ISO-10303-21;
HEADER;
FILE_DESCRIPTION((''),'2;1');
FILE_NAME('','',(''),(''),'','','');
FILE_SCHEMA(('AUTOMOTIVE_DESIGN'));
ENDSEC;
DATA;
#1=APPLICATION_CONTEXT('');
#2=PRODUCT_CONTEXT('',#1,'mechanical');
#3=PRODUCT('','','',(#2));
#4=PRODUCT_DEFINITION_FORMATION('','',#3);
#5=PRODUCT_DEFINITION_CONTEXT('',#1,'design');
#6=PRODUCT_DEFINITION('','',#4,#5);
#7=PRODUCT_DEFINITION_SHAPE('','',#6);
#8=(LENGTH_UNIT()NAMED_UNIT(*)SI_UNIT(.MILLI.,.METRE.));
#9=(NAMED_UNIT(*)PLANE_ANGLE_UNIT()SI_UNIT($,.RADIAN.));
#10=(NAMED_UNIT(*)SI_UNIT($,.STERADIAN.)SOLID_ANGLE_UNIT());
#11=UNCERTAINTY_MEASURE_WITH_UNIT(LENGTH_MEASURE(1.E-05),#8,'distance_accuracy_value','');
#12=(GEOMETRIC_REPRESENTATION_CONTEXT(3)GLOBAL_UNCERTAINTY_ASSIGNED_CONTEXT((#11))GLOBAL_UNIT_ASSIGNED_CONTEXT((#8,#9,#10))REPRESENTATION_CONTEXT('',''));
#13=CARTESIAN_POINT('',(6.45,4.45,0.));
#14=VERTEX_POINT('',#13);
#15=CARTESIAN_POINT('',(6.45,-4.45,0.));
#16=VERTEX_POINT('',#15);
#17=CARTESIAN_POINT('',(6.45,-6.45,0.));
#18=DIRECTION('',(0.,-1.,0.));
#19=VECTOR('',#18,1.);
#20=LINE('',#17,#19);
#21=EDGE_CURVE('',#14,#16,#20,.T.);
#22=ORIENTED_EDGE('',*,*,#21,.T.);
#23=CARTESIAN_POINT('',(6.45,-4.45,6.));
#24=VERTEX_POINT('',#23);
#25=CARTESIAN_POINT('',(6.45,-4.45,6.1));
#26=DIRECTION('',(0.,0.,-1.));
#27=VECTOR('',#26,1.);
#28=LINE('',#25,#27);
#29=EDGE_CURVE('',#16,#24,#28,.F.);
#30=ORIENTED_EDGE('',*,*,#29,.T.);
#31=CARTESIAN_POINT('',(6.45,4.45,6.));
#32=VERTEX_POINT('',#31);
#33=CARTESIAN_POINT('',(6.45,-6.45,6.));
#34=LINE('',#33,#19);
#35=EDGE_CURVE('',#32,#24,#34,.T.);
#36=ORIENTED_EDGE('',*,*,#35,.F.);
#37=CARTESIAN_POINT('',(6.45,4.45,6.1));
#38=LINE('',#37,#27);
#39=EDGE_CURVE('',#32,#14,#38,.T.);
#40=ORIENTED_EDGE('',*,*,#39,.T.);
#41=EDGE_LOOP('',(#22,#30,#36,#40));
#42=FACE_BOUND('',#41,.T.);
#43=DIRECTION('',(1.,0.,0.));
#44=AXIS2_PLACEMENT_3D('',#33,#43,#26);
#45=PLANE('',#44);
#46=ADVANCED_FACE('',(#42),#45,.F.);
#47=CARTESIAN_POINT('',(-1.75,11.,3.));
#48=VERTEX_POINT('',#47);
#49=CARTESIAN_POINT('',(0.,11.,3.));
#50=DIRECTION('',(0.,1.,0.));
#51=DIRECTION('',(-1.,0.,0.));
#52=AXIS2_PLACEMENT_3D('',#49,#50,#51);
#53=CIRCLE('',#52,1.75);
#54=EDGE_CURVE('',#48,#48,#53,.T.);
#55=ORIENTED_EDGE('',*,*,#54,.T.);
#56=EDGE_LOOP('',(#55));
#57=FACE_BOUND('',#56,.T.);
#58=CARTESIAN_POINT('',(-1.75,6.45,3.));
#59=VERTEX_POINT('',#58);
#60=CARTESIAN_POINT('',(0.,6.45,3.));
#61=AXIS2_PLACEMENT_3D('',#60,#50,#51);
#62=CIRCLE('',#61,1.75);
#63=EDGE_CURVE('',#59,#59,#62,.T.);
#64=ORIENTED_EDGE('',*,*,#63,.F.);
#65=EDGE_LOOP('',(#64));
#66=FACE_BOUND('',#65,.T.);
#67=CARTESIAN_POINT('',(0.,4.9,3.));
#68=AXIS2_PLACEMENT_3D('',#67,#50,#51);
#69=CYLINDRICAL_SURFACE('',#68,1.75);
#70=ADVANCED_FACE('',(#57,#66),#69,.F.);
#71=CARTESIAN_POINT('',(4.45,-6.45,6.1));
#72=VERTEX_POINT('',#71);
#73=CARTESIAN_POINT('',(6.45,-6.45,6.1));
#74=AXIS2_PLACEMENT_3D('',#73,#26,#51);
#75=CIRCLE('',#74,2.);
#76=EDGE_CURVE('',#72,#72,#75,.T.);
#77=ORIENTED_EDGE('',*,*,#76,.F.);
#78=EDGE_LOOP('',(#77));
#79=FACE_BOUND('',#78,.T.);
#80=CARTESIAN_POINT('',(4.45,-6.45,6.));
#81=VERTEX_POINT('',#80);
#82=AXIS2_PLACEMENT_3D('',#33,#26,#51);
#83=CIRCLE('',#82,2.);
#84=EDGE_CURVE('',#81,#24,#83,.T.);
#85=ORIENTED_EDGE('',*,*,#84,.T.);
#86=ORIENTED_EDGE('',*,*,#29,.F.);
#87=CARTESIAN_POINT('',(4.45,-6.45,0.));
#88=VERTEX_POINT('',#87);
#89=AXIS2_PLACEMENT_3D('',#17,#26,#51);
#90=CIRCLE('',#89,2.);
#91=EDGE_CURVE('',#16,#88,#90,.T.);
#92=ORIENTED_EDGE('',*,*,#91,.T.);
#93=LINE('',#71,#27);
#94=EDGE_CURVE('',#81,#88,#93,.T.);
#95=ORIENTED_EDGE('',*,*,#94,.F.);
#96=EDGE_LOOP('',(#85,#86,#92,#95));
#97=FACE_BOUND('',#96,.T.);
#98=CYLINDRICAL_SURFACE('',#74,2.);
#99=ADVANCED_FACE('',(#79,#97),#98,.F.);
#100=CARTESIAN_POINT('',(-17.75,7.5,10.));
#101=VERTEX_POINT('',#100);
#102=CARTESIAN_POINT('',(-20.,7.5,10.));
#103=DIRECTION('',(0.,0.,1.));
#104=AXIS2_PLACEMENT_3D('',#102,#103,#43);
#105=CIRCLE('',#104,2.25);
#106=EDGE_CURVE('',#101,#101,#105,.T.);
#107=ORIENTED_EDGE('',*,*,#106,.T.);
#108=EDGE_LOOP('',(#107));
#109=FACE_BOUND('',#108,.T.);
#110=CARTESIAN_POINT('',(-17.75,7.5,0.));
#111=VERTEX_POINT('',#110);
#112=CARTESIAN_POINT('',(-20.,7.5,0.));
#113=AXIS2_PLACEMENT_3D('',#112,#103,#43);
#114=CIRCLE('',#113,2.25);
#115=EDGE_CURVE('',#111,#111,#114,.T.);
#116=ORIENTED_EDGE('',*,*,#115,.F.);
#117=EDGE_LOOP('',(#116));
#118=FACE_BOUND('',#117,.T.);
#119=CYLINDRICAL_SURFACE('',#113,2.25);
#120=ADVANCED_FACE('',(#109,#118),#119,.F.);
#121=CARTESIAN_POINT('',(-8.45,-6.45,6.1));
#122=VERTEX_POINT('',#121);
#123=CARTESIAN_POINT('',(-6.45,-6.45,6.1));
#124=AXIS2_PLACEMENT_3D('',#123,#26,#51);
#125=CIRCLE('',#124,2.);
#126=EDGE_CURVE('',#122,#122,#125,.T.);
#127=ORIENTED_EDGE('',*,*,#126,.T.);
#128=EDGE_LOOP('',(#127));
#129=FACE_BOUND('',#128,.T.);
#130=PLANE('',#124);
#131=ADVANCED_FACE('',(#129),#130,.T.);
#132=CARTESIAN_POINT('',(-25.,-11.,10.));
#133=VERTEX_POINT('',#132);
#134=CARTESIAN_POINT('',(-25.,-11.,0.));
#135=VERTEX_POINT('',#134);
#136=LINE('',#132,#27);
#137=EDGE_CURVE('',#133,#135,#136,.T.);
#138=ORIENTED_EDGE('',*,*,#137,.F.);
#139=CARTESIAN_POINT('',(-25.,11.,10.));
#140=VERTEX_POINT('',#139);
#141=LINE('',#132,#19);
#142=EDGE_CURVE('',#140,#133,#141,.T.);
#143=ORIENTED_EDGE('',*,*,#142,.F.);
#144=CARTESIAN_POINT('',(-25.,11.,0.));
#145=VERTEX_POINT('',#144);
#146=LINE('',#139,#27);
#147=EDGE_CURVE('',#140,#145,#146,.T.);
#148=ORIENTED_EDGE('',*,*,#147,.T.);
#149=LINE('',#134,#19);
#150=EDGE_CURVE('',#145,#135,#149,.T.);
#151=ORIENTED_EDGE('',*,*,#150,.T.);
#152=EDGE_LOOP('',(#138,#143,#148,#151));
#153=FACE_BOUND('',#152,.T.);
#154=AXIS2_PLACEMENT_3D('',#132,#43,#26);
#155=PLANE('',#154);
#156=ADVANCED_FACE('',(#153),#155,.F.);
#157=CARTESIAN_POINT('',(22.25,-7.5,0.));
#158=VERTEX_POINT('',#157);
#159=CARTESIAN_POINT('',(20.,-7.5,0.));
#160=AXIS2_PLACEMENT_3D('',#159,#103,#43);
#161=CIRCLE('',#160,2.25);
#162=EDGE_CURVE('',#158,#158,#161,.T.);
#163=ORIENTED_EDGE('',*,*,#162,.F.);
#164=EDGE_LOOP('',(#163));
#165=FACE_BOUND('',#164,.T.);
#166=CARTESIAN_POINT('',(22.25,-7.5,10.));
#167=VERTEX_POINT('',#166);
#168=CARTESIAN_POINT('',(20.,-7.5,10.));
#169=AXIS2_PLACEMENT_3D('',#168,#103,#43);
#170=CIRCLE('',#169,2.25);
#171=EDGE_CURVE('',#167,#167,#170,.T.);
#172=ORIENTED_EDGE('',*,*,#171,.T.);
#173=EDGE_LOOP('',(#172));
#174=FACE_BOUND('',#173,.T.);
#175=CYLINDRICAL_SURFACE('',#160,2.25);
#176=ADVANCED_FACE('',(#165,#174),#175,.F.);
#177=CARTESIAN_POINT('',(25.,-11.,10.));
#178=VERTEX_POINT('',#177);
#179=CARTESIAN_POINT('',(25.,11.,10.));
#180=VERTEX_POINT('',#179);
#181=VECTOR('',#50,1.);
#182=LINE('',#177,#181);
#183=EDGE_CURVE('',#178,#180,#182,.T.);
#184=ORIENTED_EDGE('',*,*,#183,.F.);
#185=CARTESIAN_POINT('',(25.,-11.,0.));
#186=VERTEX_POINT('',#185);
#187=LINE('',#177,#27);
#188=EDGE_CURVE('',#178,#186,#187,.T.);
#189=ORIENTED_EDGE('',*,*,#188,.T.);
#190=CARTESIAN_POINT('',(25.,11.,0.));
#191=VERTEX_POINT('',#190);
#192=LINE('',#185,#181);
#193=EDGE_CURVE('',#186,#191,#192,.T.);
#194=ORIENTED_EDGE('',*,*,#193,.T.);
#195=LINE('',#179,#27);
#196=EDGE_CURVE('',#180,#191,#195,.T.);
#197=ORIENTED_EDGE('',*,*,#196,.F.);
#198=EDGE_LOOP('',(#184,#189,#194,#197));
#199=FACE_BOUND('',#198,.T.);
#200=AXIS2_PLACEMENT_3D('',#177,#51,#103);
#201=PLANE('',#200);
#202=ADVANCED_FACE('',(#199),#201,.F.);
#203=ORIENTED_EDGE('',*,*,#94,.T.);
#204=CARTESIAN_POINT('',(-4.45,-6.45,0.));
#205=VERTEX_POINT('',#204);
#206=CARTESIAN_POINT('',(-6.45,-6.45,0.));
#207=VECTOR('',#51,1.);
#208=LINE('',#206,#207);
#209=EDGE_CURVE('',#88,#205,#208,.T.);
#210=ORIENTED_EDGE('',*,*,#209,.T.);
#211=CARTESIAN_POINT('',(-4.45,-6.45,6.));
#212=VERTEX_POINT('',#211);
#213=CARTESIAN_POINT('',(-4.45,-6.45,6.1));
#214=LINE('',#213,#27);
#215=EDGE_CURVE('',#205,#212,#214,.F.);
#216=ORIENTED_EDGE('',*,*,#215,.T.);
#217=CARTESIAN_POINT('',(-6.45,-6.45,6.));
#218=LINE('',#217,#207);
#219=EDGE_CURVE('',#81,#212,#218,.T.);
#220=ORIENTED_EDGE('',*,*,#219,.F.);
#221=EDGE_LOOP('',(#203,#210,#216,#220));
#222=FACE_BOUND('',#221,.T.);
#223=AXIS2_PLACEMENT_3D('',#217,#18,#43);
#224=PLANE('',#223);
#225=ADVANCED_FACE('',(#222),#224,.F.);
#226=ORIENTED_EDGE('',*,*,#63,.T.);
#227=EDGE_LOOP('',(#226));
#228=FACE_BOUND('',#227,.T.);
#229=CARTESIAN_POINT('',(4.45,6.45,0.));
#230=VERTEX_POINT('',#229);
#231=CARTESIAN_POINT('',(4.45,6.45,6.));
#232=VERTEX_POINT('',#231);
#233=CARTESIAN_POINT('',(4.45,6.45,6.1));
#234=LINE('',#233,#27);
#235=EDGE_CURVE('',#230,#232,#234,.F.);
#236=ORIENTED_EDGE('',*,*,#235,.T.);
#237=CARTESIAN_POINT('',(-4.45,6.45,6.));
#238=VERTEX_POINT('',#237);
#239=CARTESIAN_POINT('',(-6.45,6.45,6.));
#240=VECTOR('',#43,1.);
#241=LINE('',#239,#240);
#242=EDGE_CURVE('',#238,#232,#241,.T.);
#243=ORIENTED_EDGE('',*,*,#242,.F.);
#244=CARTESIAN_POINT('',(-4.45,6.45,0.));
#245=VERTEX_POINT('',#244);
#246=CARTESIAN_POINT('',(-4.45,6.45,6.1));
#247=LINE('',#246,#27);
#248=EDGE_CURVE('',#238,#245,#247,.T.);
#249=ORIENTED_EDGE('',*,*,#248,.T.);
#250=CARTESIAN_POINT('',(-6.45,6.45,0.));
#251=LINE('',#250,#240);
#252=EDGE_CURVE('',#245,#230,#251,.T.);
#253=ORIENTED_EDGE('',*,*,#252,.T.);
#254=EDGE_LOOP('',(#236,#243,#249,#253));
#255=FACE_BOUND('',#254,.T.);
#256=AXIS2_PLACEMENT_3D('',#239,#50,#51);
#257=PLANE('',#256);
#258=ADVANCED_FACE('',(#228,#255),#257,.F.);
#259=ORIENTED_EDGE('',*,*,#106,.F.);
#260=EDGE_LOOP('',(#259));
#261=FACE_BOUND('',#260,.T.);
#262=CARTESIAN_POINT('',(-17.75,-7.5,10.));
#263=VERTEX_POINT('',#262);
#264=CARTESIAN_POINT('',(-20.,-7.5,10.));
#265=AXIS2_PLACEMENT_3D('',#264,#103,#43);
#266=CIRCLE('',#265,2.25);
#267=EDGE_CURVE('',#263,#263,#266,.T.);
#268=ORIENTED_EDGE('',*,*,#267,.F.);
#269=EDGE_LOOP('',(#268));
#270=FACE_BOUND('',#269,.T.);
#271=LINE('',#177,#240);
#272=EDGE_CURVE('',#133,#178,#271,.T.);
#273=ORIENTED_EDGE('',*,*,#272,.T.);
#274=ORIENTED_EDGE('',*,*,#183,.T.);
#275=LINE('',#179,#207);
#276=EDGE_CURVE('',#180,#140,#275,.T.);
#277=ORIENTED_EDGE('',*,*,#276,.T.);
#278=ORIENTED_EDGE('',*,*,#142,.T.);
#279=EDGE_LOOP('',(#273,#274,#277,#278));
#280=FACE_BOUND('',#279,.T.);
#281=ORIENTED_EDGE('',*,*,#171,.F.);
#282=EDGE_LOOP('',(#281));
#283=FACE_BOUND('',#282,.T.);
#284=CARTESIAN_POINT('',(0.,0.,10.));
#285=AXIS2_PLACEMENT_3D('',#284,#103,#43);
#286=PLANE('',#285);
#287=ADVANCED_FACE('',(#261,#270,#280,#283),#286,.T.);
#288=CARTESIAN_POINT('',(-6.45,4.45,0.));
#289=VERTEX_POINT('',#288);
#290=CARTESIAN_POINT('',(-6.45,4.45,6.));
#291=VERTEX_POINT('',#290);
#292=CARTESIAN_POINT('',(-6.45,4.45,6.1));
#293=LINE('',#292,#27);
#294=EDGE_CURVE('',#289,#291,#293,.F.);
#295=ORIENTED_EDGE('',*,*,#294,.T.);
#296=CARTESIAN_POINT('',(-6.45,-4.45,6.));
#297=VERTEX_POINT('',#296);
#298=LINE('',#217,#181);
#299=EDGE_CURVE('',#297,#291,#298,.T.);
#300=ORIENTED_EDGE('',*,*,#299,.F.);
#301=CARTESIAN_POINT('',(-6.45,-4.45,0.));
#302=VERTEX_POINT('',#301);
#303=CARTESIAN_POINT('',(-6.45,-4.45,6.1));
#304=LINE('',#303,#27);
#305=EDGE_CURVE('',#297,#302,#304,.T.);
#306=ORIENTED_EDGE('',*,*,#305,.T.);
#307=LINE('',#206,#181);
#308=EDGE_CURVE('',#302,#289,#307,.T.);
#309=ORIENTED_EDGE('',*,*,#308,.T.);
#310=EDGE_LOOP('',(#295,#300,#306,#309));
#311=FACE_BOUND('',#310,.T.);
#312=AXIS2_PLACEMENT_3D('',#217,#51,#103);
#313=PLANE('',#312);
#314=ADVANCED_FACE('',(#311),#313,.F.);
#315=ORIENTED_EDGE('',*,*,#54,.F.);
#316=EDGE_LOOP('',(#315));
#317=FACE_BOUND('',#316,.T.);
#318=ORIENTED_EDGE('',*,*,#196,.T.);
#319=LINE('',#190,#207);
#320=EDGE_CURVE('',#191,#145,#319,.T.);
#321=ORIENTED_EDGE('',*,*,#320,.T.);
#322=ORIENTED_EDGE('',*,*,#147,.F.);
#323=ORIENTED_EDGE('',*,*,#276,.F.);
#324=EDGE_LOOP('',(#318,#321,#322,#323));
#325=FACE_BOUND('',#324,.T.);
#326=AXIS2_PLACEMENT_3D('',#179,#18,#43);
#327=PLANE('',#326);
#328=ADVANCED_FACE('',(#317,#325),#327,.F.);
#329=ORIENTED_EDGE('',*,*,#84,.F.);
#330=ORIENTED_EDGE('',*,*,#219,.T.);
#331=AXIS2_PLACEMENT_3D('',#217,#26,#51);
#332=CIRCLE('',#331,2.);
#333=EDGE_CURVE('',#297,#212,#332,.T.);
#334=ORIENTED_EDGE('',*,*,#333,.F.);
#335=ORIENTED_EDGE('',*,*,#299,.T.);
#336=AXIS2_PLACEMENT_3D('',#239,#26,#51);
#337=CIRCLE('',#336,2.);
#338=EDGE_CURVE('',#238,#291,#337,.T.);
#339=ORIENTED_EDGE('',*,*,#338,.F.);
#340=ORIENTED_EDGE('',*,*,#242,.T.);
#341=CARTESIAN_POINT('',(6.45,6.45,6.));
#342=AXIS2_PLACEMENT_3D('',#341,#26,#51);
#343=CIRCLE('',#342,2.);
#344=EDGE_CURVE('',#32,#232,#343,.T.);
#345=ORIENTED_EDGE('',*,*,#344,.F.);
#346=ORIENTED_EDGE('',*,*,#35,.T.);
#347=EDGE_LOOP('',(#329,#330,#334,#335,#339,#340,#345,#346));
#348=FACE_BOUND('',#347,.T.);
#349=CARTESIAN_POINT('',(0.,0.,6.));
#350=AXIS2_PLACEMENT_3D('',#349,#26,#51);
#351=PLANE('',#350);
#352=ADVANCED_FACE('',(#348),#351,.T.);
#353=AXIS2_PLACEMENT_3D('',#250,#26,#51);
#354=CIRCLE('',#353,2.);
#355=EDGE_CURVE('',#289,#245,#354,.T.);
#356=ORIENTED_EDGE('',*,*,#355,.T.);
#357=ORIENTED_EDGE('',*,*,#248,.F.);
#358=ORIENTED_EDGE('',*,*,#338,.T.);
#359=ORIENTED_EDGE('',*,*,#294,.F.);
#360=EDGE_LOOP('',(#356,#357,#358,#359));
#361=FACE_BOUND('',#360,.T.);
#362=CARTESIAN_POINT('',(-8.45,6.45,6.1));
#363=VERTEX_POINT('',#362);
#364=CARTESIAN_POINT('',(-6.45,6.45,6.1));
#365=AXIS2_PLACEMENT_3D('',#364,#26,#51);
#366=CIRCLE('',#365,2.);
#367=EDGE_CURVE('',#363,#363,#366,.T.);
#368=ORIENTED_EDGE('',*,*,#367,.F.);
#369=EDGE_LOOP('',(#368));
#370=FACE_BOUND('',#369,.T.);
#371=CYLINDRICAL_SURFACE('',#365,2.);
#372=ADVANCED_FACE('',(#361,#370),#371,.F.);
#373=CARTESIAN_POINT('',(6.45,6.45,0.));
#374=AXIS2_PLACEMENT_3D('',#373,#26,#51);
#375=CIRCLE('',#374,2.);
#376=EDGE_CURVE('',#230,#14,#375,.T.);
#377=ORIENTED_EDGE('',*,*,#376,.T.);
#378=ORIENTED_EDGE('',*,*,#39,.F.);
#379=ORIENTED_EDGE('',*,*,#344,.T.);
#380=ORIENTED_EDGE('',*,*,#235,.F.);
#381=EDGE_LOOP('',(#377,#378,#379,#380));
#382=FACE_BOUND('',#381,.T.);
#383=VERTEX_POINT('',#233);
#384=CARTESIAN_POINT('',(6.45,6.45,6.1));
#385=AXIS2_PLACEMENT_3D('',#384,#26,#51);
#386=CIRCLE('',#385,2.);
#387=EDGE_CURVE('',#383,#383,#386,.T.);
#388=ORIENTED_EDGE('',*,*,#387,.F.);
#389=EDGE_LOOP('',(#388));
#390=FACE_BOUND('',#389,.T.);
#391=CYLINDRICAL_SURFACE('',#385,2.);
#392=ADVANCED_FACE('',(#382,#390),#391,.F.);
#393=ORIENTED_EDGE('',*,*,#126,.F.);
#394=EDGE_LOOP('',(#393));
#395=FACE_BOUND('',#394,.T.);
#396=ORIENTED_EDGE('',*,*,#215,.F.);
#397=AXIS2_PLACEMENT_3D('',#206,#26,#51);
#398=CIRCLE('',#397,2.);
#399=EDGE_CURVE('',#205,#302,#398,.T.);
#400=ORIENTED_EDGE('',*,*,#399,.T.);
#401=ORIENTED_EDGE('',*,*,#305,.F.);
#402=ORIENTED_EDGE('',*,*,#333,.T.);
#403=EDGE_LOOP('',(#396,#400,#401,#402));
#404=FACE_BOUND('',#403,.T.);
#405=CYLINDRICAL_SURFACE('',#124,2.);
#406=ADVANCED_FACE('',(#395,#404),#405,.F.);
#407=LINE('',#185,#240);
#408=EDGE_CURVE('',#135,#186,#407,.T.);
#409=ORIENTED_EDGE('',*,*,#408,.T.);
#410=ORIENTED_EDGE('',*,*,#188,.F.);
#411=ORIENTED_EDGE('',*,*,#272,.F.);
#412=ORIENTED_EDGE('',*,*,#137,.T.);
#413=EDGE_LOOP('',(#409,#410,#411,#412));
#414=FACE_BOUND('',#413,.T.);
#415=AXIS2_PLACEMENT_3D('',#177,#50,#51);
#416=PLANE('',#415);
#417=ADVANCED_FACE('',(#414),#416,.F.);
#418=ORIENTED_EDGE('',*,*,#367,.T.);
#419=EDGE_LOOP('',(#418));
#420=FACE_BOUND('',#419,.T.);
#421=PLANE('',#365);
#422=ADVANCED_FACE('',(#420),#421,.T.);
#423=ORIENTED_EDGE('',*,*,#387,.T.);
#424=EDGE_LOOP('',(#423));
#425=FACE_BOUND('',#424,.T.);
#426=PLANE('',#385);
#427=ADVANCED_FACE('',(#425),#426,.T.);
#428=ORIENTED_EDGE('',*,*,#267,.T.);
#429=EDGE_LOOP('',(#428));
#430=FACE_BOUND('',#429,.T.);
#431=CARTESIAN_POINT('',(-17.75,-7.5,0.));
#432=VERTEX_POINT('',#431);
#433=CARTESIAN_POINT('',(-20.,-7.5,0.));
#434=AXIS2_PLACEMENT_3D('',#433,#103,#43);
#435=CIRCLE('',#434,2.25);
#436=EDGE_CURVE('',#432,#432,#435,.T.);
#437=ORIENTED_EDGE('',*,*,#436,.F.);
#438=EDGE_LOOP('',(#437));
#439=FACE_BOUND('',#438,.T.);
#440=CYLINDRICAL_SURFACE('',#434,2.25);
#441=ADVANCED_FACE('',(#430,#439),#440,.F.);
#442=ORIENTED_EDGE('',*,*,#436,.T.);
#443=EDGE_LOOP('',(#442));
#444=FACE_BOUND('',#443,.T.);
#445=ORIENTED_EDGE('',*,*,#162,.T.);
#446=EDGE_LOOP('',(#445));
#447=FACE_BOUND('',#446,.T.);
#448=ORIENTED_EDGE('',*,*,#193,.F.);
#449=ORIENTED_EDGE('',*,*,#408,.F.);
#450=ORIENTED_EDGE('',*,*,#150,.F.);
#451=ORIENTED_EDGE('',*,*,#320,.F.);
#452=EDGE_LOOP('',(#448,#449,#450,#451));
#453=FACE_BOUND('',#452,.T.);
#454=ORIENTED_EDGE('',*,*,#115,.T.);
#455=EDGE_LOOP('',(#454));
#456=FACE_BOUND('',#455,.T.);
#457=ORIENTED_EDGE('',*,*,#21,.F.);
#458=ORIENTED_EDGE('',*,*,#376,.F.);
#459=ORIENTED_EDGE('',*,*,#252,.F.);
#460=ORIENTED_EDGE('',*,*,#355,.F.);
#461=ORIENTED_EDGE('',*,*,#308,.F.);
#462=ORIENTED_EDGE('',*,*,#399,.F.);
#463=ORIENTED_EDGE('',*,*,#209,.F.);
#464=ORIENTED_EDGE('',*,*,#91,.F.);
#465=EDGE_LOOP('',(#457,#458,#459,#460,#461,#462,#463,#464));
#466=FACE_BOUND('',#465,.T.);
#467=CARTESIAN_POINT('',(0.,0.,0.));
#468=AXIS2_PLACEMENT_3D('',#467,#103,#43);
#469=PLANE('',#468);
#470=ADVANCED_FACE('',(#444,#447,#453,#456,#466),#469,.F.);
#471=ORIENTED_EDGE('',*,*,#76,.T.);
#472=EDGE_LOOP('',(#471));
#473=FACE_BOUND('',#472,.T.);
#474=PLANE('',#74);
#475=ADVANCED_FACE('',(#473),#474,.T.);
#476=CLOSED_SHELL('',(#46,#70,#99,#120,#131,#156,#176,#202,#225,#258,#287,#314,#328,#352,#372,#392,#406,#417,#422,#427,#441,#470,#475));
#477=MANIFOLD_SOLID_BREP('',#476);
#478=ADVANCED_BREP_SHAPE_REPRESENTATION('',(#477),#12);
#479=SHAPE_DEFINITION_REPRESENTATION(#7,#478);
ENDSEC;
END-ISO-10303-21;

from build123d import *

# Parameters (mm, degrees)
SKIZZE1_W                       = 50
SKIZZE1_H                       = 22
AUFSATZ_LINEAR_AUSTRAGEN1_DEPTH = 10
SKIZZE2_R                       = 2.25
SCHNITT_LINEAR_AUSTRAGEN1_DEPTH = 11
SKIZZE3_W                       = 12.9
SKIZZE3_H                       = 12.9
SCHNITT_LINEAR_AUSTRAGEN2_DEPTH = 6
SKIZZE4_R                       = 2
SCHNITT_LINEAR_AUSTRAGEN3_DEPTH = 6.1
SKIZZE5_R                       = 1.75
SCHNITT_LINEAR_AUSTRAGEN4_DEPTH = 6.1


with BuildPart() as part:
    # Skizze1 → Aufsatz-Linear austragen1 (new body)
    with BuildSketch(Plane.XY):
        Rectangle(SKIZZE1_W, SKIZZE1_H)
    extrude(amount=AUFSATZ_LINEAR_AUSTRAGEN1_DEPTH)

    # Skizze2 → Schnitt-Linear austragen1 (cut, through all)
    with BuildSketch(Plane.XY.offset(10)):
        with Locations((-20, 7.5)):
            Circle(SKIZZE2_R)
        with Locations((-20, -7.5)):
            Circle(SKIZZE2_R)
        with Locations((20, -7.5)):
            Circle(SKIZZE2_R)
    extrude(amount=-SCHNITT_LINEAR_AUSTRAGEN1_DEPTH, mode=Mode.SUBTRACT)

    # Skizze3 → Schnitt-Linear austragen2 (cut)
    with BuildSketch(Plane(origin=(0, 0, 0), x_dir=(-1, 0, 0), z_dir=(0, 0, -1))):
        Rectangle(SKIZZE3_W, SKIZZE3_H)
    extrude(amount=-SCHNITT_LINEAR_AUSTRAGEN2_DEPTH, mode=Mode.SUBTRACT)

    # Skizze4 → Schnitt-Linear austragen3 (cut)
    with BuildSketch(Plane(origin=(0, 0, 0), x_dir=(-1, 0, 0), z_dir=(0, 0, -1))):
        with Locations((-6.45, 6.45)):
            Circle(SKIZZE4_R)
        with Locations((6.45, 6.45)):
            Circle(SKIZZE4_R)
        with Locations((-6.45, -6.45)):
            Circle(SKIZZE4_R)
        with Locations((6.45, -6.45)):
            Circle(SKIZZE4_R)
    extrude(amount=-SCHNITT_LINEAR_AUSTRAGEN3_DEPTH, mode=Mode.SUBTRACT)

    # Skizze5 → Schnitt-Linear austragen4 (cut)
    with BuildSketch(Plane(origin=(0, 11, 0), x_dir=(1, 0, 0), z_dir=(0, 1, 0))):
        with Locations((0, -3)):
            Circle(SKIZZE5_R)
    extrude(amount=-SCHNITT_LINEAR_AUSTRAGEN4_DEPTH, mode=Mode.SUBTRACT)


solid = part.part
